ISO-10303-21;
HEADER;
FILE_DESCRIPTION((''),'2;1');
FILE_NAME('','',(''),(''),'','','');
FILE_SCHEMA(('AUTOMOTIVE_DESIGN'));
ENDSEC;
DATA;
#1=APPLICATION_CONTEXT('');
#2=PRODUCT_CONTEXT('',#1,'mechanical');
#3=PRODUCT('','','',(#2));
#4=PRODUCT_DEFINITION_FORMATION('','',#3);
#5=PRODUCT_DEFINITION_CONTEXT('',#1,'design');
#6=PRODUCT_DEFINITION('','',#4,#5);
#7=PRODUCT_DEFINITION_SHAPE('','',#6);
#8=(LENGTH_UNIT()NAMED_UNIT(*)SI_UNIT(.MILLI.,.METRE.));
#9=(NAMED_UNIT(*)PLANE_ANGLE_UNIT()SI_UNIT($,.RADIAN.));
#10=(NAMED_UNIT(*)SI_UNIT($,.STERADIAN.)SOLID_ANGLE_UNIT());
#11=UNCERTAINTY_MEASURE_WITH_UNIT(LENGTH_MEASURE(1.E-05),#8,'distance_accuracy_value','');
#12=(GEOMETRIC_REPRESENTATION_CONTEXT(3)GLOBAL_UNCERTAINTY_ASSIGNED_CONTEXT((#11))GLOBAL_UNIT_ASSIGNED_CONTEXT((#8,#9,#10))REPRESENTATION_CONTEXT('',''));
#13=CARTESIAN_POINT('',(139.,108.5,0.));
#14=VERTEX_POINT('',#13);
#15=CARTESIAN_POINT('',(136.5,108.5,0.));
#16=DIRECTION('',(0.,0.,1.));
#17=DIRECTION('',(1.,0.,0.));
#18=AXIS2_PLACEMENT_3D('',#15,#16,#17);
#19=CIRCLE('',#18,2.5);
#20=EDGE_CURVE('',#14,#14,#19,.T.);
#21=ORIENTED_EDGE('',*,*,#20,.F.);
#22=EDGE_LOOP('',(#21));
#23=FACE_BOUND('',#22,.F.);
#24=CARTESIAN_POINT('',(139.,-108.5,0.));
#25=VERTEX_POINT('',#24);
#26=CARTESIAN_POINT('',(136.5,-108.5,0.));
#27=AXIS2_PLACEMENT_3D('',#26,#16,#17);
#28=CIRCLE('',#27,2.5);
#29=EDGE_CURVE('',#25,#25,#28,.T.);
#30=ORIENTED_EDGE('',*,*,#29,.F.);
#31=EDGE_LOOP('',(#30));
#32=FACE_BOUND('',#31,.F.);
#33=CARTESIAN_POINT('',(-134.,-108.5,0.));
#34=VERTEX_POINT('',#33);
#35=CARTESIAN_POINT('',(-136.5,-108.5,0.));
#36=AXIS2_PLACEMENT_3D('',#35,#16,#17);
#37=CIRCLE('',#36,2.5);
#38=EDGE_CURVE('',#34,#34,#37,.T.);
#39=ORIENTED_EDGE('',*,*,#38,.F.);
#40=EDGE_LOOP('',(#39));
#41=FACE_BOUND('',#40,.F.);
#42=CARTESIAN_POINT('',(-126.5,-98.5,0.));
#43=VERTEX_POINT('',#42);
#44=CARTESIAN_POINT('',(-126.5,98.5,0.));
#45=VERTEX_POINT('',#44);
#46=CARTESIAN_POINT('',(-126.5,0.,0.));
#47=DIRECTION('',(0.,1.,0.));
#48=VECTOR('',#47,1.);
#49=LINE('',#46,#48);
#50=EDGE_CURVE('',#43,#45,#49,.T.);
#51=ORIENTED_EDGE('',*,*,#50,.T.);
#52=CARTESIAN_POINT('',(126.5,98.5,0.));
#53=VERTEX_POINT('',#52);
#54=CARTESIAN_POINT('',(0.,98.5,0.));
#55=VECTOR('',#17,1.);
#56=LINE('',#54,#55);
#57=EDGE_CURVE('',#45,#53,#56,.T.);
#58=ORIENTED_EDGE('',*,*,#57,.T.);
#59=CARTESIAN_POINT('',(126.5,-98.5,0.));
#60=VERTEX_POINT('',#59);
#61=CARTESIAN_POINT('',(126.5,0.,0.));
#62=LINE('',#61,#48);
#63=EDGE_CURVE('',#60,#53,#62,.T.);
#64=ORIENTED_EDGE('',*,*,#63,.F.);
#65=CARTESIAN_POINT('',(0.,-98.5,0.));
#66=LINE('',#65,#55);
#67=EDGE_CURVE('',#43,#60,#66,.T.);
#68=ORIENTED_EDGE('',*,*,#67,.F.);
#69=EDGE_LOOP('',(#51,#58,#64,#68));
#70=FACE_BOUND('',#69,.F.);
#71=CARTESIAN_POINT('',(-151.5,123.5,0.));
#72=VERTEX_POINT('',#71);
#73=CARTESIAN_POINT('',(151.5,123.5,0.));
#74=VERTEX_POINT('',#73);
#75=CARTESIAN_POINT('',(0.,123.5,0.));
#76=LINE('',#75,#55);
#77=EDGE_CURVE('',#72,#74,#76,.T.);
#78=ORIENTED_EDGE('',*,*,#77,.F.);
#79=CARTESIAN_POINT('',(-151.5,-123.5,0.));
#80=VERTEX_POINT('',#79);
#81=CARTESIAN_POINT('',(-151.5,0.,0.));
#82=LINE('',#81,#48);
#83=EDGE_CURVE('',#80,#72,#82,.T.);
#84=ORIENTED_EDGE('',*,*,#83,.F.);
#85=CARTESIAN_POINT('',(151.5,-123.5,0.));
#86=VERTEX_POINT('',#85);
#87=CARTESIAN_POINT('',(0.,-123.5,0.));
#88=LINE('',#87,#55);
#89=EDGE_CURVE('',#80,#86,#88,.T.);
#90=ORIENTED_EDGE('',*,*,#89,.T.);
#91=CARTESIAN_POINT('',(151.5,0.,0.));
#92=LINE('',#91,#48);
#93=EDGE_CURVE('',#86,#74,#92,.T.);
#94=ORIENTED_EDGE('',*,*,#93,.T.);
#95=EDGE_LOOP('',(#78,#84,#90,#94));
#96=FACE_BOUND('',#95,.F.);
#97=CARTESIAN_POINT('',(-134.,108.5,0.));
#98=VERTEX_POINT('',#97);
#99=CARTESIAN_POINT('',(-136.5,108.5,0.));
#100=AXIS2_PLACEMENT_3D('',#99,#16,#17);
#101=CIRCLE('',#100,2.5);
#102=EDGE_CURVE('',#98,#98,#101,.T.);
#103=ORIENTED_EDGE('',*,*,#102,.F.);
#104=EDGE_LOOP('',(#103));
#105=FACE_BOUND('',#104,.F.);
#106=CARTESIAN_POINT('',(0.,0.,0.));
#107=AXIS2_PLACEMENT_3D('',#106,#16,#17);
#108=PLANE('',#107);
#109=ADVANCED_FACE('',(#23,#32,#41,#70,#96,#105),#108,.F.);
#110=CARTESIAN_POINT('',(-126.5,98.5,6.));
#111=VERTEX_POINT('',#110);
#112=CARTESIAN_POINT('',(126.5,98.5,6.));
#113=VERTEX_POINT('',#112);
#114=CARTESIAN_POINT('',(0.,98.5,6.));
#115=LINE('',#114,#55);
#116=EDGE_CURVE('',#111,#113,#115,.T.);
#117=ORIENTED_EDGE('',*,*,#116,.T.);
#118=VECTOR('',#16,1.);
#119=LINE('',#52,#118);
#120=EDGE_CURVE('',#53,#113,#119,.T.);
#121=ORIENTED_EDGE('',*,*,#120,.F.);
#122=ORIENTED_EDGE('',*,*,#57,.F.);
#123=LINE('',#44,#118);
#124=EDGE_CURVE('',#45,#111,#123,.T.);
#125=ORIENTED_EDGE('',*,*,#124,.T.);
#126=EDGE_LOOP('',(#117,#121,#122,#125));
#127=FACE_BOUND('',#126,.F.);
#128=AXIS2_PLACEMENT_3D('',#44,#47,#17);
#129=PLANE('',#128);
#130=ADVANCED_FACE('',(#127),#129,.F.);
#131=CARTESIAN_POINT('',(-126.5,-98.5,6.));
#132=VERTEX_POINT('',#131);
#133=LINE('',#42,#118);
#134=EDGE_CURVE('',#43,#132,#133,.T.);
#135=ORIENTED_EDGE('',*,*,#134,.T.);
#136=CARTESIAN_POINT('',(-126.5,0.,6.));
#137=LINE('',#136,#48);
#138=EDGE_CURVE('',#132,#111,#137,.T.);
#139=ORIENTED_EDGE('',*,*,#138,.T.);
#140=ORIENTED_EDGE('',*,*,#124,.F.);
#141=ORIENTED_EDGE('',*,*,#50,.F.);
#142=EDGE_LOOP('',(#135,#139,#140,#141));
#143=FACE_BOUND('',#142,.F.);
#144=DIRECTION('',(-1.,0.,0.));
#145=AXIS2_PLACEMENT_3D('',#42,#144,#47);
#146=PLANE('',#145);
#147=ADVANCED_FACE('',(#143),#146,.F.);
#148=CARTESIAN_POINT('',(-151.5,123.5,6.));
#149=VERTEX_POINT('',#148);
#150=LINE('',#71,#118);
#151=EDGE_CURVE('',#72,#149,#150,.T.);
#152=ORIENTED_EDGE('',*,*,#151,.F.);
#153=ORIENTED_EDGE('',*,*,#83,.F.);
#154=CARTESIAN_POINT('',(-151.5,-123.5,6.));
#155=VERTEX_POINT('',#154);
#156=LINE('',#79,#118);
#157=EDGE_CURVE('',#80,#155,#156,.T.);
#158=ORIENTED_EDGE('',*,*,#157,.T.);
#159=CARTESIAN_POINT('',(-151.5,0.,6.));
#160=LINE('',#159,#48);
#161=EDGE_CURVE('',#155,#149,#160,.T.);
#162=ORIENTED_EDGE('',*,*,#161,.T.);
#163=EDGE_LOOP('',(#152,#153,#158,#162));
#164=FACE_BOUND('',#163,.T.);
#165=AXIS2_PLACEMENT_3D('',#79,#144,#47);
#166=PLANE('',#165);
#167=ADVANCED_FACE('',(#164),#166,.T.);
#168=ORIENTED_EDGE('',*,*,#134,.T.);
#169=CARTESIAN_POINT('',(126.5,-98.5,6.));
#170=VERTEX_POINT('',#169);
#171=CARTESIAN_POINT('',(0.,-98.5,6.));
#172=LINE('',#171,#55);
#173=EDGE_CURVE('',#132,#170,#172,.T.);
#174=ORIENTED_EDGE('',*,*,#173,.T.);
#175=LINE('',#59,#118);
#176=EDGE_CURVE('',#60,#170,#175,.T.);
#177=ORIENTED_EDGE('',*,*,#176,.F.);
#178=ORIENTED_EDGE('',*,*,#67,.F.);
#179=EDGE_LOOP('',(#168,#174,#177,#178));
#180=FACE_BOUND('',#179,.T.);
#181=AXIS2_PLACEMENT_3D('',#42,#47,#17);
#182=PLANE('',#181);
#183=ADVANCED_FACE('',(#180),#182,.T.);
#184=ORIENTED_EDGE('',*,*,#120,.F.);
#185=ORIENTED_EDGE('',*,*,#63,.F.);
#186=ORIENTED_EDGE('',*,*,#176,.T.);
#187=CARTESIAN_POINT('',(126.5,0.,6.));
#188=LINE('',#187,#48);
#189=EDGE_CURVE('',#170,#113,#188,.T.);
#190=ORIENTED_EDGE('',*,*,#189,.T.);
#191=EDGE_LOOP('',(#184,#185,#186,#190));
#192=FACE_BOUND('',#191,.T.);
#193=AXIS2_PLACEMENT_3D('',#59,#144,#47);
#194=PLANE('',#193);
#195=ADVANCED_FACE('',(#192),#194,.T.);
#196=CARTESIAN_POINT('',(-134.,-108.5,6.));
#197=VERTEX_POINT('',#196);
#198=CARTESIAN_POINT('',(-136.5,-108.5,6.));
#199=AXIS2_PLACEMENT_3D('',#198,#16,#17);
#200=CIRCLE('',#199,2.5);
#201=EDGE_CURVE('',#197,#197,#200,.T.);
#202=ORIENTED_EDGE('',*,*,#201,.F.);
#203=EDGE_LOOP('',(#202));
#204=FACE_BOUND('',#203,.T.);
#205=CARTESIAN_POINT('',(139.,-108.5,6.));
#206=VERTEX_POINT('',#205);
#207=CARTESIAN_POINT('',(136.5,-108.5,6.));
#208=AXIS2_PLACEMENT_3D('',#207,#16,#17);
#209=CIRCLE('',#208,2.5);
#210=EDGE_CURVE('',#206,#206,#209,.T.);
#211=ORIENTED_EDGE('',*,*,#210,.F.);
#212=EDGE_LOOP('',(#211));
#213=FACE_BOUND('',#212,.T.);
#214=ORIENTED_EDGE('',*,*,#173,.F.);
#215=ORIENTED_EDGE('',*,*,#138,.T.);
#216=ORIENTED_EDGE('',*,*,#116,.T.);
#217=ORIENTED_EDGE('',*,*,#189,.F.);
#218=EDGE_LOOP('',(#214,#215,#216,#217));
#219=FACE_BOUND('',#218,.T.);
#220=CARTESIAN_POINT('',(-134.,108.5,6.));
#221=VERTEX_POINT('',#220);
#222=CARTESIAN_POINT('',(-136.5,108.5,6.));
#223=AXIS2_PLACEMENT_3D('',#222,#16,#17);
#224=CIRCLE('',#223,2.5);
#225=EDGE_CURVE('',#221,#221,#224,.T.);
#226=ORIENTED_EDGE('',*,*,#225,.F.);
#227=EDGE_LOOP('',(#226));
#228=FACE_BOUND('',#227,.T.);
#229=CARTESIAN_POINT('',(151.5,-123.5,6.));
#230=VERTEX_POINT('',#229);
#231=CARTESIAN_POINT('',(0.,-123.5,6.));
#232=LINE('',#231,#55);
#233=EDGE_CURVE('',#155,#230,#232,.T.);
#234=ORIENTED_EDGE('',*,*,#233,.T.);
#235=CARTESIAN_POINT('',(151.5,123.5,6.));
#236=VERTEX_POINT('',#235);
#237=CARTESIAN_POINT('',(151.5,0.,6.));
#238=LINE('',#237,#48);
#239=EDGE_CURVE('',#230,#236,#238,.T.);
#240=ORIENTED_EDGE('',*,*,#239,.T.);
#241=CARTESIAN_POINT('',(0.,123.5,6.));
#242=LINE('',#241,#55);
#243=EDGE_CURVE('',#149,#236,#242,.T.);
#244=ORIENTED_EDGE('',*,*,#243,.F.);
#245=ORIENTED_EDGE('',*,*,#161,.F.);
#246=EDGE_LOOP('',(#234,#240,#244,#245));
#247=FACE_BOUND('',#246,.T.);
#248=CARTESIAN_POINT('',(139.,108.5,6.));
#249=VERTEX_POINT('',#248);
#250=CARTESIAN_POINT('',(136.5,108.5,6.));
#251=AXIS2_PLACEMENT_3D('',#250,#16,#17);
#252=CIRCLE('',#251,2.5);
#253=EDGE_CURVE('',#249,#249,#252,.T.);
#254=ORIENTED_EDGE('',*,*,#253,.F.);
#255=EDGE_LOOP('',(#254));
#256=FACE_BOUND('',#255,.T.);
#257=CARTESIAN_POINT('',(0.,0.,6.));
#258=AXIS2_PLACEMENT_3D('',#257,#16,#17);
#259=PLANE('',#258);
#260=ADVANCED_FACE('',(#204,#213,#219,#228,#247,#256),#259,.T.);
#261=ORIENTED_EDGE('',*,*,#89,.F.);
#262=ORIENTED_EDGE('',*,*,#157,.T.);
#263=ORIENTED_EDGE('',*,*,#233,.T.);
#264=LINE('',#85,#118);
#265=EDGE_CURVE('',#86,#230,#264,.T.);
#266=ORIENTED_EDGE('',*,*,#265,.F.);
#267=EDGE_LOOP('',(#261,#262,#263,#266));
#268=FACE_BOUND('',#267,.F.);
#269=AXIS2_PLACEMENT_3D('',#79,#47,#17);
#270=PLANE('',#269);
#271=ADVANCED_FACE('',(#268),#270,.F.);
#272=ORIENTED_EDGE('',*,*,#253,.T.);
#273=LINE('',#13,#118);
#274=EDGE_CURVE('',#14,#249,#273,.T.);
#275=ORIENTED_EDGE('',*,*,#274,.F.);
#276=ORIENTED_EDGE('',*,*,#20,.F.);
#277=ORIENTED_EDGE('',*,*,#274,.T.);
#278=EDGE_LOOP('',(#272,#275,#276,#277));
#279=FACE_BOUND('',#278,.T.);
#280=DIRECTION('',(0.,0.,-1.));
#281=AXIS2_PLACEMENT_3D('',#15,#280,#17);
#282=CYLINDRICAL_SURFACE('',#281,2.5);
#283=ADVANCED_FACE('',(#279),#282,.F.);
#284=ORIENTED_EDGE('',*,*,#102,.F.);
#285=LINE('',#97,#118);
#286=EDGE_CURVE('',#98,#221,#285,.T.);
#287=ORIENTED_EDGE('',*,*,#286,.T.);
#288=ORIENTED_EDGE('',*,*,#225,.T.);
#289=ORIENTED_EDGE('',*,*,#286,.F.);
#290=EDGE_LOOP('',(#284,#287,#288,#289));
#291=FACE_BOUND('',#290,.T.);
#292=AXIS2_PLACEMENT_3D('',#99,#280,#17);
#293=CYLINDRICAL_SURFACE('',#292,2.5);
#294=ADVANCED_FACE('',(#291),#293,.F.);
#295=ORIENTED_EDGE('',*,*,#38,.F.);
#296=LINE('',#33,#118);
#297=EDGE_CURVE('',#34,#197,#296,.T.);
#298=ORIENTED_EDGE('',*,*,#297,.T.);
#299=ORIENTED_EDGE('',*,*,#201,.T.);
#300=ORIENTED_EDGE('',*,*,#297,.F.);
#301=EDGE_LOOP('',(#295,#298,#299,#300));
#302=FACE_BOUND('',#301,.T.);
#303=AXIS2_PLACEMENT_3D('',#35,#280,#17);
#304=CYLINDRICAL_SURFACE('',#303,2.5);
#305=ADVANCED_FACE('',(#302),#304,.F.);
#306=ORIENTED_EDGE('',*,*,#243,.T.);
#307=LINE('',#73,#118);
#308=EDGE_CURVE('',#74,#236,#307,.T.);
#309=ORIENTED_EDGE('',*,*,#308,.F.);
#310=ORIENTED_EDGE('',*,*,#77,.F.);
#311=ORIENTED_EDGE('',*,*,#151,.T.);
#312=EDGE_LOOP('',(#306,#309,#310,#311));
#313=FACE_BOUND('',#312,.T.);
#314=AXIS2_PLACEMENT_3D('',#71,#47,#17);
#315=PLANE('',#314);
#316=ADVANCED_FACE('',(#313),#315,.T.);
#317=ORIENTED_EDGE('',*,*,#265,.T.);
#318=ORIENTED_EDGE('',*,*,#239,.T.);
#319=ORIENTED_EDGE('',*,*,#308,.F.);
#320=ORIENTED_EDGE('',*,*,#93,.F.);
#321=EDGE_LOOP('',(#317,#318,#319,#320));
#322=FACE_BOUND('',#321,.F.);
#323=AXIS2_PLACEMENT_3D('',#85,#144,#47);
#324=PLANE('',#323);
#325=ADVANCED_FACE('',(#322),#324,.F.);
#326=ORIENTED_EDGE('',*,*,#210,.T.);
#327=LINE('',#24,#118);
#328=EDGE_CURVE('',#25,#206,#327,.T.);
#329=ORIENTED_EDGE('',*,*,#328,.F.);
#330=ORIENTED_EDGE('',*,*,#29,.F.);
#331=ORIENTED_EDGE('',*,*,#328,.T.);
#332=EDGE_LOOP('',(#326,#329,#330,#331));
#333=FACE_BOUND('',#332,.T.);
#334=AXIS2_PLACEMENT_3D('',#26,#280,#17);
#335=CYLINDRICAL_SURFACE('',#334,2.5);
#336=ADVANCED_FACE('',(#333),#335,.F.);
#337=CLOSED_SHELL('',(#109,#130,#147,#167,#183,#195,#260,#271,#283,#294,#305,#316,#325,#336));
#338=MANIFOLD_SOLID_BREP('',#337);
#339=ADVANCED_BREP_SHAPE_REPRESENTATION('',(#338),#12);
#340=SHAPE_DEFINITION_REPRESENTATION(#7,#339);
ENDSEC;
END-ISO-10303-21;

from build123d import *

# Parameters (mm, degrees)
F0_W     = 303
F0_H     = 247
F0_R     = 2.5
F0_W_2   = 253
F0_H_2   = 197
F1_DEPTH = 6


with BuildPart() as f1:
    # F0 (on Top) → F1 (new body)
    with BuildSketch(Plane.XY):
        Rectangle(F0_W, F0_H)
        with Locations((-136.5, -108.5)):
            Circle(F0_R, mode=Mode.SUBTRACT)
        with Locations((136.5, -108.5)):
            Circle(F0_R, mode=Mode.SUBTRACT)
        with Locations((-136.5, 108.5)):
            Circle(F0_R, mode=Mode.SUBTRACT)
        Rectangle(F0_W_2, F0_H_2, mode=Mode.SUBTRACT)
        with Locations((136.5, 108.5)):
            Circle(F0_R, mode=Mode.SUBTRACT)
    extrude(amount=F1_DEPTH)


solid = f1.part
